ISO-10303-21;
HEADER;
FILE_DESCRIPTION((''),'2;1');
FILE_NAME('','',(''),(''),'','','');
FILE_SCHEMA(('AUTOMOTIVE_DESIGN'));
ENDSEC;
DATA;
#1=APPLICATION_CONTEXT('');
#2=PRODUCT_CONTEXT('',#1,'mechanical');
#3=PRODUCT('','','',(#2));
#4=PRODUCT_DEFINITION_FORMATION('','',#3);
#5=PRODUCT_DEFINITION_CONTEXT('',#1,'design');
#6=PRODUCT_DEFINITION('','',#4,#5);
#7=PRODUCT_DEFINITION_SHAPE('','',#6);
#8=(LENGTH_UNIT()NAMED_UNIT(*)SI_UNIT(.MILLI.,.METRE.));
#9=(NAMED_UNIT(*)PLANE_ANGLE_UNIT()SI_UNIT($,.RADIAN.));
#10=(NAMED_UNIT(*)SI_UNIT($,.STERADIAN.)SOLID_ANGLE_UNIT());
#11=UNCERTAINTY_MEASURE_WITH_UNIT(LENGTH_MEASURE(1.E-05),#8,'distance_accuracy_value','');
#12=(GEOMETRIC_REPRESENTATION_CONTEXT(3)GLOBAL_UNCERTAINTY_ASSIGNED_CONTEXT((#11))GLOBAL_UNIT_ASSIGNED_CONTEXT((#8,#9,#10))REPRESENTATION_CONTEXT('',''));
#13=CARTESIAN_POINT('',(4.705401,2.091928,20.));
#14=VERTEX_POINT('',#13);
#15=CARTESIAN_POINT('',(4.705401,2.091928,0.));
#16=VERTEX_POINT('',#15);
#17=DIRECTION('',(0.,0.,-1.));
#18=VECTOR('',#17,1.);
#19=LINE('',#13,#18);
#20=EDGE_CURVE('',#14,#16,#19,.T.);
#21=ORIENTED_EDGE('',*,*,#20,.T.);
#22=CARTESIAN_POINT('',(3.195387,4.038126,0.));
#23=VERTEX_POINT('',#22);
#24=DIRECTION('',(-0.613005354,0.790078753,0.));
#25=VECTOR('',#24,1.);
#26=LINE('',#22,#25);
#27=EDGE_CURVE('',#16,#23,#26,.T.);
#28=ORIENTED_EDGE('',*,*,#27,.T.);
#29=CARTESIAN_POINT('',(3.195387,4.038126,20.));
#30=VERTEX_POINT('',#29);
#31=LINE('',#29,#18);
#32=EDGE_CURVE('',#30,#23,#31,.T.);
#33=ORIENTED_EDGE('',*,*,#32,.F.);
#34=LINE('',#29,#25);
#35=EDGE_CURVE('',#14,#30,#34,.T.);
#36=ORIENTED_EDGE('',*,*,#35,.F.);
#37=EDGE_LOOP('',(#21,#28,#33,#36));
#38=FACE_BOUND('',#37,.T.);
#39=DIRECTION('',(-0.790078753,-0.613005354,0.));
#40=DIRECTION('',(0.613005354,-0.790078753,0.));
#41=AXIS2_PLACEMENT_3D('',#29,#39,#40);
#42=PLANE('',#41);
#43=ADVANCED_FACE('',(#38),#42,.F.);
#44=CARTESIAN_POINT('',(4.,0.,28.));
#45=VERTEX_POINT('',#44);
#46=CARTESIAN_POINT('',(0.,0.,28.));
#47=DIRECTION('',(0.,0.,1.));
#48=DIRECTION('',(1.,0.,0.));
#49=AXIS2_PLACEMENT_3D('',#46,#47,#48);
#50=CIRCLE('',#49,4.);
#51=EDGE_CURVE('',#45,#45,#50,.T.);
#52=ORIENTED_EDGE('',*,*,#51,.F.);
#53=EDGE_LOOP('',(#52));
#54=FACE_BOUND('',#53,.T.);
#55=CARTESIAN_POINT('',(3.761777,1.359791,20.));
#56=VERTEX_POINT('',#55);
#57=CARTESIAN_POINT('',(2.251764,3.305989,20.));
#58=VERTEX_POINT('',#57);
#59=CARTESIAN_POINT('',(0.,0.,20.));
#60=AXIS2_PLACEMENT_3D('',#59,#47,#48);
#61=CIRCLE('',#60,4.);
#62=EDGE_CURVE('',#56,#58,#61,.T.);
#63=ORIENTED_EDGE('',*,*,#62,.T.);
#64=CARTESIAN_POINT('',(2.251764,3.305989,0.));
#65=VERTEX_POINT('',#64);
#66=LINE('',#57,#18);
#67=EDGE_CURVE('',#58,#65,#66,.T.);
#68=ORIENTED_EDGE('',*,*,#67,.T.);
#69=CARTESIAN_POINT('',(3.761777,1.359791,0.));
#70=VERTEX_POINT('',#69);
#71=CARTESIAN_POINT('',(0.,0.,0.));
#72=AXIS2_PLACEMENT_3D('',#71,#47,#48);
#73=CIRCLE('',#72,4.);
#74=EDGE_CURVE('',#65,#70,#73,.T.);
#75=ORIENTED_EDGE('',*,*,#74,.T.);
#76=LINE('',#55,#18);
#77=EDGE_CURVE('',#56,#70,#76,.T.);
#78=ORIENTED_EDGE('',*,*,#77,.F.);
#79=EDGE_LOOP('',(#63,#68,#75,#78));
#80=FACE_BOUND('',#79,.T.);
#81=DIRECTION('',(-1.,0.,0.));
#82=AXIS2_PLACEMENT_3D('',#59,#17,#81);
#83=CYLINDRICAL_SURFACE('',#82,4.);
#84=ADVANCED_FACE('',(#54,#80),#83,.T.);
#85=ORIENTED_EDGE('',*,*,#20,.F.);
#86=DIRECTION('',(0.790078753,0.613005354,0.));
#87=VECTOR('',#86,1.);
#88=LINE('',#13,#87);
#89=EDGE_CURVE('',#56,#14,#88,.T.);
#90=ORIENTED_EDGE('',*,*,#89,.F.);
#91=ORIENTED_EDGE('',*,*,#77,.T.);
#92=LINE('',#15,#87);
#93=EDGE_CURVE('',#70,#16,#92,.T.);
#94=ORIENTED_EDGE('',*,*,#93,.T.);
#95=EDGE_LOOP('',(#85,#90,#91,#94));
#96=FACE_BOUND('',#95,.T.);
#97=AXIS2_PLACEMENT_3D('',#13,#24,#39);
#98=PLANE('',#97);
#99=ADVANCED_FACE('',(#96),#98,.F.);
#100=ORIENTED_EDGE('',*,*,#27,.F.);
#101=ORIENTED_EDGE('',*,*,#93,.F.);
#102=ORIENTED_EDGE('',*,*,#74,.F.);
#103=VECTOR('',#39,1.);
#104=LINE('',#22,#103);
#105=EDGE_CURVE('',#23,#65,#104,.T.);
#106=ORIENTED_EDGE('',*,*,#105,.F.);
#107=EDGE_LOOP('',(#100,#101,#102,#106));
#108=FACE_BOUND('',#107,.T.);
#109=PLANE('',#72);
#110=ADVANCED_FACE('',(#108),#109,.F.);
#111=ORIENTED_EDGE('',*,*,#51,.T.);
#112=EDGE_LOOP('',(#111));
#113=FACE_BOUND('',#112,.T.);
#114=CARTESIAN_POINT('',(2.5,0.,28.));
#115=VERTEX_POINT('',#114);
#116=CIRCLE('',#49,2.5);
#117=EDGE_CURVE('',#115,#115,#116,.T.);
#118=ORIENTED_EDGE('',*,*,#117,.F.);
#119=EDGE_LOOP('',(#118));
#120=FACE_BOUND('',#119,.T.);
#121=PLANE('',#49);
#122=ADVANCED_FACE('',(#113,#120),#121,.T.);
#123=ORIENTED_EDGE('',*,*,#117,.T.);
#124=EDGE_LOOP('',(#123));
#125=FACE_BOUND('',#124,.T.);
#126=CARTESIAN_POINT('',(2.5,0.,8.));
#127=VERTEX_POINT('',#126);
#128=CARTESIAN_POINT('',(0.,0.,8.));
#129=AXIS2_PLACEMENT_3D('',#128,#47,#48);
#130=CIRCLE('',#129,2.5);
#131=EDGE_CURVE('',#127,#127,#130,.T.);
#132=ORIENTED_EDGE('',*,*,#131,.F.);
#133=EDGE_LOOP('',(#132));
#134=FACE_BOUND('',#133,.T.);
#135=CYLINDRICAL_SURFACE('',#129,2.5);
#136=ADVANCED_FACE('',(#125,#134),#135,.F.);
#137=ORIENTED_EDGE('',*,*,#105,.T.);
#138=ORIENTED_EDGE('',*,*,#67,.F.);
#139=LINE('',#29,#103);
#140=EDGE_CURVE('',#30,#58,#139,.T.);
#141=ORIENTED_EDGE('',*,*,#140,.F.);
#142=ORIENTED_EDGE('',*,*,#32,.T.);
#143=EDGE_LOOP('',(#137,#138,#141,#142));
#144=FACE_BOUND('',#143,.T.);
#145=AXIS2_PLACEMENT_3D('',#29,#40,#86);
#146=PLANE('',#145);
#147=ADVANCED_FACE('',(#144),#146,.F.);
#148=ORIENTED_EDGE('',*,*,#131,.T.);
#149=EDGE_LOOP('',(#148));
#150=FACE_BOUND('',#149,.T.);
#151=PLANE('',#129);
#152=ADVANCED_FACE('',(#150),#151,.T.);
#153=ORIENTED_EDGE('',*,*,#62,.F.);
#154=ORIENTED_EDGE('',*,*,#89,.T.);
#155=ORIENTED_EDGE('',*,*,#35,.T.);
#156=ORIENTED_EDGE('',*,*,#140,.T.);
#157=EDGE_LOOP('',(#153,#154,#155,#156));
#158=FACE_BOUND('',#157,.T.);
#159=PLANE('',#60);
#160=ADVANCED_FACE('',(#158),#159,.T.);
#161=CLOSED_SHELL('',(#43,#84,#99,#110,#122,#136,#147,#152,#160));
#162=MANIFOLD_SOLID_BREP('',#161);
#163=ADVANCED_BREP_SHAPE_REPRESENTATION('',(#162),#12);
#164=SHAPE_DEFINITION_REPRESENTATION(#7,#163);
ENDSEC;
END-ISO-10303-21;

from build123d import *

# Parameters (mm, degrees)
EXTRUDE_1_DEPTH     = 20
SKETCH_2_R          = 4
EXTRUDE_2_DEPTH     = 8
SKETCH_3_R          = 2.5
CUT_EXTRUDE_1_DEPTH = 20


with BuildPart() as part:
    # 草图1 → 凸台-拉伸1 (new body)
    with BuildSketch(Plane.XY):
        with BuildLine():
            Line((3.195386911, 4.038125731), (2.251763738, 3.305988516))
            ThreePointArc((2.251763738, 3.305988516), (-3.160315011, -2.452021418), (3.761777443, 1.359790599))
            Line((3.761777443, 1.359790599), (4.705400616, 2.091927813))
            Line((4.705400616, 2.091927813), (3.195386911, 4.038125731))
        make_face()
    extrude(amount=EXTRUDE_1_DEPTH)

    # 草图2 → 凸台-拉伸2 (add)
    with BuildSketch(Plane.XY.offset(20)):
        with Locations(Location((0, 0, 0), (0, 0, 55.740572038))):
            Circle(SKETCH_2_R)
    extrude(amount=EXTRUDE_2_DEPTH)

    # 草图3 → 切除-拉伸1 (cut)
    with BuildSketch(Plane.XY.offset(28)):
        Circle(SKETCH_3_R)
    extrude(amount=-CUT_EXTRUDE_1_DEPTH, mode=Mode.SUBTRACT)


solid = part.part
